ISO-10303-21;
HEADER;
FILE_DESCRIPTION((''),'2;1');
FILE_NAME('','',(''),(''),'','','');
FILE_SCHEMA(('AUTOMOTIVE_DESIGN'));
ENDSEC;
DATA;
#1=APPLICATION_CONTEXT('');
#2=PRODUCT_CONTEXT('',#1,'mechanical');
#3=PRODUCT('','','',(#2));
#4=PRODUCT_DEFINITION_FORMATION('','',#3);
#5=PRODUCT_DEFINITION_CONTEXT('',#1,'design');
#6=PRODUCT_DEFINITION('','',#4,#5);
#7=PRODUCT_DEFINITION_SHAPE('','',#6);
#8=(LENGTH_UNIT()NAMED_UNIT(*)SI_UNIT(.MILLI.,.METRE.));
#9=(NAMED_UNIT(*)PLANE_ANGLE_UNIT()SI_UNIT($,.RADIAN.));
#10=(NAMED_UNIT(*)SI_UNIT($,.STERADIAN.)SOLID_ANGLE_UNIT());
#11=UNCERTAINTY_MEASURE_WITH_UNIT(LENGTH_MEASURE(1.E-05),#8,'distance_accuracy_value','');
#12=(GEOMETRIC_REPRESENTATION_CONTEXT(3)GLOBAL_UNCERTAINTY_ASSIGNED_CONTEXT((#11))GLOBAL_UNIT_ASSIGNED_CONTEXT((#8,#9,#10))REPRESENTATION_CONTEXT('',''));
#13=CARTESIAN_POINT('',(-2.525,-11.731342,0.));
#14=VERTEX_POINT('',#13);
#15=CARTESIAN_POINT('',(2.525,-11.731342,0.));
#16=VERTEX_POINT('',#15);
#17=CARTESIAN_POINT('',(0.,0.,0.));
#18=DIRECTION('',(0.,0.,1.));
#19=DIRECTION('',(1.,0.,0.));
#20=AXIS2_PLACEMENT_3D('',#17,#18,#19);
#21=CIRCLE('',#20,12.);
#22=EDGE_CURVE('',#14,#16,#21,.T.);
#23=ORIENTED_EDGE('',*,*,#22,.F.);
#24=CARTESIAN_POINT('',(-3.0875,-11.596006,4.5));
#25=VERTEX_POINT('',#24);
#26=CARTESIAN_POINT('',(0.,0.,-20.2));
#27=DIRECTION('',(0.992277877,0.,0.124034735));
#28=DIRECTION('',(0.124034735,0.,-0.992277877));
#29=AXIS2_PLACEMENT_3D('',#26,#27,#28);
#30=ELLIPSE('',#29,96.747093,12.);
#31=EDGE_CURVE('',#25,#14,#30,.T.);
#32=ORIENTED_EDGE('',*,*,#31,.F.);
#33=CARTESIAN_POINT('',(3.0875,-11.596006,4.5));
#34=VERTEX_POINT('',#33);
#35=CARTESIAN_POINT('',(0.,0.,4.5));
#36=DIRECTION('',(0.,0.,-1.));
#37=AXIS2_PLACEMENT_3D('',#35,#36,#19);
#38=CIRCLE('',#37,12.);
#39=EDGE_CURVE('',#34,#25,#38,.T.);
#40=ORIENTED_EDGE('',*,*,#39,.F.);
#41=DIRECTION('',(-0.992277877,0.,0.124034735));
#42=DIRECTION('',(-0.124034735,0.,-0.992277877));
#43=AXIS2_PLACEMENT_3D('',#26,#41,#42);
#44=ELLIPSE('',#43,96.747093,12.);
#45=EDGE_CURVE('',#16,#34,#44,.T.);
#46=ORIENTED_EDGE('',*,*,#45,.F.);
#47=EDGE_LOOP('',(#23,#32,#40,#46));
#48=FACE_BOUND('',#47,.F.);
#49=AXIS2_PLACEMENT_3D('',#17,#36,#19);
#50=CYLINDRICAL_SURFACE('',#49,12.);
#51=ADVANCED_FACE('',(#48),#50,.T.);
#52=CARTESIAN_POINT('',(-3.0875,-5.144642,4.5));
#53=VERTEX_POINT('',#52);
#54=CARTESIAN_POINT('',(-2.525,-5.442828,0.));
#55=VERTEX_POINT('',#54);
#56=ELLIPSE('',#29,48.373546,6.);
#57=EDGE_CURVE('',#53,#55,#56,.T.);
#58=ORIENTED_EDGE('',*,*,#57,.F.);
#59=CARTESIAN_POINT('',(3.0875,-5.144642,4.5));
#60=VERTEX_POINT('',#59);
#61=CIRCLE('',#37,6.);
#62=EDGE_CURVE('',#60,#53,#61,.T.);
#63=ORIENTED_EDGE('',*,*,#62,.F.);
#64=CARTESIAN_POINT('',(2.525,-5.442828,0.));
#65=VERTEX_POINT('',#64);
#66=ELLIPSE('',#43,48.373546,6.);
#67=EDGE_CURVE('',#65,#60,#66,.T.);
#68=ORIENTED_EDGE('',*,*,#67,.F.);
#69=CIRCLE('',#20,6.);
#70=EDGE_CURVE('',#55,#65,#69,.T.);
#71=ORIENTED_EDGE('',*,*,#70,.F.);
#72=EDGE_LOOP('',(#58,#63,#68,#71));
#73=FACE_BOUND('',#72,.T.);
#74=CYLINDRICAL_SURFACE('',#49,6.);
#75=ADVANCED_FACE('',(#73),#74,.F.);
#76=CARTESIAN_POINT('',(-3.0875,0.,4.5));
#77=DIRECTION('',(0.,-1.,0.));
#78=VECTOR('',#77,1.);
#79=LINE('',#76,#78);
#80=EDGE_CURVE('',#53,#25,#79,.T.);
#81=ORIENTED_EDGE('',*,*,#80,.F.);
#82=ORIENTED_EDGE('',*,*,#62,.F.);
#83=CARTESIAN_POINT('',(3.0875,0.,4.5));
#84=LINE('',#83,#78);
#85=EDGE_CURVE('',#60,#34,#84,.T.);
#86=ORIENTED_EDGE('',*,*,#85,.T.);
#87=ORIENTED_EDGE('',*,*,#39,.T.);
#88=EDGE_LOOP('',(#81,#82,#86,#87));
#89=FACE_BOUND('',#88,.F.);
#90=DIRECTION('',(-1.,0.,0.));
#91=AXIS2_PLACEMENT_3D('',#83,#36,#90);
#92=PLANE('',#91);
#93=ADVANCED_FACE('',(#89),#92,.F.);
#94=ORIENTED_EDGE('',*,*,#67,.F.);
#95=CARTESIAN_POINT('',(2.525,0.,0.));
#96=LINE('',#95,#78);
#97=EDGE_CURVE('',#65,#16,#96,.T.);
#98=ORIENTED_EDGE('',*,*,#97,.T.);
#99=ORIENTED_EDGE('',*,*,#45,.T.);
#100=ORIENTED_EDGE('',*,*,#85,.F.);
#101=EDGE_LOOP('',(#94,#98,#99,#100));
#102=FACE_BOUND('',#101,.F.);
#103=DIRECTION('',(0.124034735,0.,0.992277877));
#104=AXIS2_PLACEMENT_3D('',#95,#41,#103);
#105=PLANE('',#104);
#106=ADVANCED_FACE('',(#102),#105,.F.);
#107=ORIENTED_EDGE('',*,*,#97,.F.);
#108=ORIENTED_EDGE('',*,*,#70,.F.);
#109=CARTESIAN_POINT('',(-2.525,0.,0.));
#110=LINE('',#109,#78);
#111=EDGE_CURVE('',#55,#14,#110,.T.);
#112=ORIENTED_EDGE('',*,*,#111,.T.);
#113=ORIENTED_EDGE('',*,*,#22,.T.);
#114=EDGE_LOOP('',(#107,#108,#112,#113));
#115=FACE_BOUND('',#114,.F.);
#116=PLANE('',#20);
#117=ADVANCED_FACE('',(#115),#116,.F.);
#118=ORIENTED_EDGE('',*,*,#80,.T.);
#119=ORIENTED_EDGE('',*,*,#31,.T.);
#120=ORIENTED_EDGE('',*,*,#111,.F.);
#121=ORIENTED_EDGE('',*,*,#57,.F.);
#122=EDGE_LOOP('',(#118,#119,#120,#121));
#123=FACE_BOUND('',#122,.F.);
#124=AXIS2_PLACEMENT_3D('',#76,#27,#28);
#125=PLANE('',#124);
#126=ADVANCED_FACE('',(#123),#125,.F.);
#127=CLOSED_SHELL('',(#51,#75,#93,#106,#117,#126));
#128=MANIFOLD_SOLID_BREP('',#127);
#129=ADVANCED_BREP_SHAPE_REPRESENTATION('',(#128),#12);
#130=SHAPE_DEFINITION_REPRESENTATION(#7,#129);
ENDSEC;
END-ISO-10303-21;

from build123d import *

# Parameters (mm, degrees)
PAD006_DEPTH  = 40
TUBE001_R     = 12
TUBE001_R_2   = 6
TUBE001_DEPTH = 10


with BuildPart() as teeth_female:
    # Sketch009 → Pad006 (new body)
    with BuildSketch(Plane.XZ):
        Polygon((-2.525, 0), (2.525, 0), (3.0875, 4.5), (-3.0875, 4.5), align=None)
    extrude(amount=PAD006_DEPTH)


with BuildPart() as teeth_female_base:
    # Tube001 → Tube001 (new body)
    with BuildSketch(Plane.XY):
        Circle(TUBE001_R)
        Circle(TUBE001_R_2, mode=Mode.SUBTRACT)
    extrude(amount=TUBE001_DEPTH)

    # Common001: intersect teeth-female
    add(teeth_female.part, mode=Mode.INTERSECT)


solid = teeth_female_base.part
